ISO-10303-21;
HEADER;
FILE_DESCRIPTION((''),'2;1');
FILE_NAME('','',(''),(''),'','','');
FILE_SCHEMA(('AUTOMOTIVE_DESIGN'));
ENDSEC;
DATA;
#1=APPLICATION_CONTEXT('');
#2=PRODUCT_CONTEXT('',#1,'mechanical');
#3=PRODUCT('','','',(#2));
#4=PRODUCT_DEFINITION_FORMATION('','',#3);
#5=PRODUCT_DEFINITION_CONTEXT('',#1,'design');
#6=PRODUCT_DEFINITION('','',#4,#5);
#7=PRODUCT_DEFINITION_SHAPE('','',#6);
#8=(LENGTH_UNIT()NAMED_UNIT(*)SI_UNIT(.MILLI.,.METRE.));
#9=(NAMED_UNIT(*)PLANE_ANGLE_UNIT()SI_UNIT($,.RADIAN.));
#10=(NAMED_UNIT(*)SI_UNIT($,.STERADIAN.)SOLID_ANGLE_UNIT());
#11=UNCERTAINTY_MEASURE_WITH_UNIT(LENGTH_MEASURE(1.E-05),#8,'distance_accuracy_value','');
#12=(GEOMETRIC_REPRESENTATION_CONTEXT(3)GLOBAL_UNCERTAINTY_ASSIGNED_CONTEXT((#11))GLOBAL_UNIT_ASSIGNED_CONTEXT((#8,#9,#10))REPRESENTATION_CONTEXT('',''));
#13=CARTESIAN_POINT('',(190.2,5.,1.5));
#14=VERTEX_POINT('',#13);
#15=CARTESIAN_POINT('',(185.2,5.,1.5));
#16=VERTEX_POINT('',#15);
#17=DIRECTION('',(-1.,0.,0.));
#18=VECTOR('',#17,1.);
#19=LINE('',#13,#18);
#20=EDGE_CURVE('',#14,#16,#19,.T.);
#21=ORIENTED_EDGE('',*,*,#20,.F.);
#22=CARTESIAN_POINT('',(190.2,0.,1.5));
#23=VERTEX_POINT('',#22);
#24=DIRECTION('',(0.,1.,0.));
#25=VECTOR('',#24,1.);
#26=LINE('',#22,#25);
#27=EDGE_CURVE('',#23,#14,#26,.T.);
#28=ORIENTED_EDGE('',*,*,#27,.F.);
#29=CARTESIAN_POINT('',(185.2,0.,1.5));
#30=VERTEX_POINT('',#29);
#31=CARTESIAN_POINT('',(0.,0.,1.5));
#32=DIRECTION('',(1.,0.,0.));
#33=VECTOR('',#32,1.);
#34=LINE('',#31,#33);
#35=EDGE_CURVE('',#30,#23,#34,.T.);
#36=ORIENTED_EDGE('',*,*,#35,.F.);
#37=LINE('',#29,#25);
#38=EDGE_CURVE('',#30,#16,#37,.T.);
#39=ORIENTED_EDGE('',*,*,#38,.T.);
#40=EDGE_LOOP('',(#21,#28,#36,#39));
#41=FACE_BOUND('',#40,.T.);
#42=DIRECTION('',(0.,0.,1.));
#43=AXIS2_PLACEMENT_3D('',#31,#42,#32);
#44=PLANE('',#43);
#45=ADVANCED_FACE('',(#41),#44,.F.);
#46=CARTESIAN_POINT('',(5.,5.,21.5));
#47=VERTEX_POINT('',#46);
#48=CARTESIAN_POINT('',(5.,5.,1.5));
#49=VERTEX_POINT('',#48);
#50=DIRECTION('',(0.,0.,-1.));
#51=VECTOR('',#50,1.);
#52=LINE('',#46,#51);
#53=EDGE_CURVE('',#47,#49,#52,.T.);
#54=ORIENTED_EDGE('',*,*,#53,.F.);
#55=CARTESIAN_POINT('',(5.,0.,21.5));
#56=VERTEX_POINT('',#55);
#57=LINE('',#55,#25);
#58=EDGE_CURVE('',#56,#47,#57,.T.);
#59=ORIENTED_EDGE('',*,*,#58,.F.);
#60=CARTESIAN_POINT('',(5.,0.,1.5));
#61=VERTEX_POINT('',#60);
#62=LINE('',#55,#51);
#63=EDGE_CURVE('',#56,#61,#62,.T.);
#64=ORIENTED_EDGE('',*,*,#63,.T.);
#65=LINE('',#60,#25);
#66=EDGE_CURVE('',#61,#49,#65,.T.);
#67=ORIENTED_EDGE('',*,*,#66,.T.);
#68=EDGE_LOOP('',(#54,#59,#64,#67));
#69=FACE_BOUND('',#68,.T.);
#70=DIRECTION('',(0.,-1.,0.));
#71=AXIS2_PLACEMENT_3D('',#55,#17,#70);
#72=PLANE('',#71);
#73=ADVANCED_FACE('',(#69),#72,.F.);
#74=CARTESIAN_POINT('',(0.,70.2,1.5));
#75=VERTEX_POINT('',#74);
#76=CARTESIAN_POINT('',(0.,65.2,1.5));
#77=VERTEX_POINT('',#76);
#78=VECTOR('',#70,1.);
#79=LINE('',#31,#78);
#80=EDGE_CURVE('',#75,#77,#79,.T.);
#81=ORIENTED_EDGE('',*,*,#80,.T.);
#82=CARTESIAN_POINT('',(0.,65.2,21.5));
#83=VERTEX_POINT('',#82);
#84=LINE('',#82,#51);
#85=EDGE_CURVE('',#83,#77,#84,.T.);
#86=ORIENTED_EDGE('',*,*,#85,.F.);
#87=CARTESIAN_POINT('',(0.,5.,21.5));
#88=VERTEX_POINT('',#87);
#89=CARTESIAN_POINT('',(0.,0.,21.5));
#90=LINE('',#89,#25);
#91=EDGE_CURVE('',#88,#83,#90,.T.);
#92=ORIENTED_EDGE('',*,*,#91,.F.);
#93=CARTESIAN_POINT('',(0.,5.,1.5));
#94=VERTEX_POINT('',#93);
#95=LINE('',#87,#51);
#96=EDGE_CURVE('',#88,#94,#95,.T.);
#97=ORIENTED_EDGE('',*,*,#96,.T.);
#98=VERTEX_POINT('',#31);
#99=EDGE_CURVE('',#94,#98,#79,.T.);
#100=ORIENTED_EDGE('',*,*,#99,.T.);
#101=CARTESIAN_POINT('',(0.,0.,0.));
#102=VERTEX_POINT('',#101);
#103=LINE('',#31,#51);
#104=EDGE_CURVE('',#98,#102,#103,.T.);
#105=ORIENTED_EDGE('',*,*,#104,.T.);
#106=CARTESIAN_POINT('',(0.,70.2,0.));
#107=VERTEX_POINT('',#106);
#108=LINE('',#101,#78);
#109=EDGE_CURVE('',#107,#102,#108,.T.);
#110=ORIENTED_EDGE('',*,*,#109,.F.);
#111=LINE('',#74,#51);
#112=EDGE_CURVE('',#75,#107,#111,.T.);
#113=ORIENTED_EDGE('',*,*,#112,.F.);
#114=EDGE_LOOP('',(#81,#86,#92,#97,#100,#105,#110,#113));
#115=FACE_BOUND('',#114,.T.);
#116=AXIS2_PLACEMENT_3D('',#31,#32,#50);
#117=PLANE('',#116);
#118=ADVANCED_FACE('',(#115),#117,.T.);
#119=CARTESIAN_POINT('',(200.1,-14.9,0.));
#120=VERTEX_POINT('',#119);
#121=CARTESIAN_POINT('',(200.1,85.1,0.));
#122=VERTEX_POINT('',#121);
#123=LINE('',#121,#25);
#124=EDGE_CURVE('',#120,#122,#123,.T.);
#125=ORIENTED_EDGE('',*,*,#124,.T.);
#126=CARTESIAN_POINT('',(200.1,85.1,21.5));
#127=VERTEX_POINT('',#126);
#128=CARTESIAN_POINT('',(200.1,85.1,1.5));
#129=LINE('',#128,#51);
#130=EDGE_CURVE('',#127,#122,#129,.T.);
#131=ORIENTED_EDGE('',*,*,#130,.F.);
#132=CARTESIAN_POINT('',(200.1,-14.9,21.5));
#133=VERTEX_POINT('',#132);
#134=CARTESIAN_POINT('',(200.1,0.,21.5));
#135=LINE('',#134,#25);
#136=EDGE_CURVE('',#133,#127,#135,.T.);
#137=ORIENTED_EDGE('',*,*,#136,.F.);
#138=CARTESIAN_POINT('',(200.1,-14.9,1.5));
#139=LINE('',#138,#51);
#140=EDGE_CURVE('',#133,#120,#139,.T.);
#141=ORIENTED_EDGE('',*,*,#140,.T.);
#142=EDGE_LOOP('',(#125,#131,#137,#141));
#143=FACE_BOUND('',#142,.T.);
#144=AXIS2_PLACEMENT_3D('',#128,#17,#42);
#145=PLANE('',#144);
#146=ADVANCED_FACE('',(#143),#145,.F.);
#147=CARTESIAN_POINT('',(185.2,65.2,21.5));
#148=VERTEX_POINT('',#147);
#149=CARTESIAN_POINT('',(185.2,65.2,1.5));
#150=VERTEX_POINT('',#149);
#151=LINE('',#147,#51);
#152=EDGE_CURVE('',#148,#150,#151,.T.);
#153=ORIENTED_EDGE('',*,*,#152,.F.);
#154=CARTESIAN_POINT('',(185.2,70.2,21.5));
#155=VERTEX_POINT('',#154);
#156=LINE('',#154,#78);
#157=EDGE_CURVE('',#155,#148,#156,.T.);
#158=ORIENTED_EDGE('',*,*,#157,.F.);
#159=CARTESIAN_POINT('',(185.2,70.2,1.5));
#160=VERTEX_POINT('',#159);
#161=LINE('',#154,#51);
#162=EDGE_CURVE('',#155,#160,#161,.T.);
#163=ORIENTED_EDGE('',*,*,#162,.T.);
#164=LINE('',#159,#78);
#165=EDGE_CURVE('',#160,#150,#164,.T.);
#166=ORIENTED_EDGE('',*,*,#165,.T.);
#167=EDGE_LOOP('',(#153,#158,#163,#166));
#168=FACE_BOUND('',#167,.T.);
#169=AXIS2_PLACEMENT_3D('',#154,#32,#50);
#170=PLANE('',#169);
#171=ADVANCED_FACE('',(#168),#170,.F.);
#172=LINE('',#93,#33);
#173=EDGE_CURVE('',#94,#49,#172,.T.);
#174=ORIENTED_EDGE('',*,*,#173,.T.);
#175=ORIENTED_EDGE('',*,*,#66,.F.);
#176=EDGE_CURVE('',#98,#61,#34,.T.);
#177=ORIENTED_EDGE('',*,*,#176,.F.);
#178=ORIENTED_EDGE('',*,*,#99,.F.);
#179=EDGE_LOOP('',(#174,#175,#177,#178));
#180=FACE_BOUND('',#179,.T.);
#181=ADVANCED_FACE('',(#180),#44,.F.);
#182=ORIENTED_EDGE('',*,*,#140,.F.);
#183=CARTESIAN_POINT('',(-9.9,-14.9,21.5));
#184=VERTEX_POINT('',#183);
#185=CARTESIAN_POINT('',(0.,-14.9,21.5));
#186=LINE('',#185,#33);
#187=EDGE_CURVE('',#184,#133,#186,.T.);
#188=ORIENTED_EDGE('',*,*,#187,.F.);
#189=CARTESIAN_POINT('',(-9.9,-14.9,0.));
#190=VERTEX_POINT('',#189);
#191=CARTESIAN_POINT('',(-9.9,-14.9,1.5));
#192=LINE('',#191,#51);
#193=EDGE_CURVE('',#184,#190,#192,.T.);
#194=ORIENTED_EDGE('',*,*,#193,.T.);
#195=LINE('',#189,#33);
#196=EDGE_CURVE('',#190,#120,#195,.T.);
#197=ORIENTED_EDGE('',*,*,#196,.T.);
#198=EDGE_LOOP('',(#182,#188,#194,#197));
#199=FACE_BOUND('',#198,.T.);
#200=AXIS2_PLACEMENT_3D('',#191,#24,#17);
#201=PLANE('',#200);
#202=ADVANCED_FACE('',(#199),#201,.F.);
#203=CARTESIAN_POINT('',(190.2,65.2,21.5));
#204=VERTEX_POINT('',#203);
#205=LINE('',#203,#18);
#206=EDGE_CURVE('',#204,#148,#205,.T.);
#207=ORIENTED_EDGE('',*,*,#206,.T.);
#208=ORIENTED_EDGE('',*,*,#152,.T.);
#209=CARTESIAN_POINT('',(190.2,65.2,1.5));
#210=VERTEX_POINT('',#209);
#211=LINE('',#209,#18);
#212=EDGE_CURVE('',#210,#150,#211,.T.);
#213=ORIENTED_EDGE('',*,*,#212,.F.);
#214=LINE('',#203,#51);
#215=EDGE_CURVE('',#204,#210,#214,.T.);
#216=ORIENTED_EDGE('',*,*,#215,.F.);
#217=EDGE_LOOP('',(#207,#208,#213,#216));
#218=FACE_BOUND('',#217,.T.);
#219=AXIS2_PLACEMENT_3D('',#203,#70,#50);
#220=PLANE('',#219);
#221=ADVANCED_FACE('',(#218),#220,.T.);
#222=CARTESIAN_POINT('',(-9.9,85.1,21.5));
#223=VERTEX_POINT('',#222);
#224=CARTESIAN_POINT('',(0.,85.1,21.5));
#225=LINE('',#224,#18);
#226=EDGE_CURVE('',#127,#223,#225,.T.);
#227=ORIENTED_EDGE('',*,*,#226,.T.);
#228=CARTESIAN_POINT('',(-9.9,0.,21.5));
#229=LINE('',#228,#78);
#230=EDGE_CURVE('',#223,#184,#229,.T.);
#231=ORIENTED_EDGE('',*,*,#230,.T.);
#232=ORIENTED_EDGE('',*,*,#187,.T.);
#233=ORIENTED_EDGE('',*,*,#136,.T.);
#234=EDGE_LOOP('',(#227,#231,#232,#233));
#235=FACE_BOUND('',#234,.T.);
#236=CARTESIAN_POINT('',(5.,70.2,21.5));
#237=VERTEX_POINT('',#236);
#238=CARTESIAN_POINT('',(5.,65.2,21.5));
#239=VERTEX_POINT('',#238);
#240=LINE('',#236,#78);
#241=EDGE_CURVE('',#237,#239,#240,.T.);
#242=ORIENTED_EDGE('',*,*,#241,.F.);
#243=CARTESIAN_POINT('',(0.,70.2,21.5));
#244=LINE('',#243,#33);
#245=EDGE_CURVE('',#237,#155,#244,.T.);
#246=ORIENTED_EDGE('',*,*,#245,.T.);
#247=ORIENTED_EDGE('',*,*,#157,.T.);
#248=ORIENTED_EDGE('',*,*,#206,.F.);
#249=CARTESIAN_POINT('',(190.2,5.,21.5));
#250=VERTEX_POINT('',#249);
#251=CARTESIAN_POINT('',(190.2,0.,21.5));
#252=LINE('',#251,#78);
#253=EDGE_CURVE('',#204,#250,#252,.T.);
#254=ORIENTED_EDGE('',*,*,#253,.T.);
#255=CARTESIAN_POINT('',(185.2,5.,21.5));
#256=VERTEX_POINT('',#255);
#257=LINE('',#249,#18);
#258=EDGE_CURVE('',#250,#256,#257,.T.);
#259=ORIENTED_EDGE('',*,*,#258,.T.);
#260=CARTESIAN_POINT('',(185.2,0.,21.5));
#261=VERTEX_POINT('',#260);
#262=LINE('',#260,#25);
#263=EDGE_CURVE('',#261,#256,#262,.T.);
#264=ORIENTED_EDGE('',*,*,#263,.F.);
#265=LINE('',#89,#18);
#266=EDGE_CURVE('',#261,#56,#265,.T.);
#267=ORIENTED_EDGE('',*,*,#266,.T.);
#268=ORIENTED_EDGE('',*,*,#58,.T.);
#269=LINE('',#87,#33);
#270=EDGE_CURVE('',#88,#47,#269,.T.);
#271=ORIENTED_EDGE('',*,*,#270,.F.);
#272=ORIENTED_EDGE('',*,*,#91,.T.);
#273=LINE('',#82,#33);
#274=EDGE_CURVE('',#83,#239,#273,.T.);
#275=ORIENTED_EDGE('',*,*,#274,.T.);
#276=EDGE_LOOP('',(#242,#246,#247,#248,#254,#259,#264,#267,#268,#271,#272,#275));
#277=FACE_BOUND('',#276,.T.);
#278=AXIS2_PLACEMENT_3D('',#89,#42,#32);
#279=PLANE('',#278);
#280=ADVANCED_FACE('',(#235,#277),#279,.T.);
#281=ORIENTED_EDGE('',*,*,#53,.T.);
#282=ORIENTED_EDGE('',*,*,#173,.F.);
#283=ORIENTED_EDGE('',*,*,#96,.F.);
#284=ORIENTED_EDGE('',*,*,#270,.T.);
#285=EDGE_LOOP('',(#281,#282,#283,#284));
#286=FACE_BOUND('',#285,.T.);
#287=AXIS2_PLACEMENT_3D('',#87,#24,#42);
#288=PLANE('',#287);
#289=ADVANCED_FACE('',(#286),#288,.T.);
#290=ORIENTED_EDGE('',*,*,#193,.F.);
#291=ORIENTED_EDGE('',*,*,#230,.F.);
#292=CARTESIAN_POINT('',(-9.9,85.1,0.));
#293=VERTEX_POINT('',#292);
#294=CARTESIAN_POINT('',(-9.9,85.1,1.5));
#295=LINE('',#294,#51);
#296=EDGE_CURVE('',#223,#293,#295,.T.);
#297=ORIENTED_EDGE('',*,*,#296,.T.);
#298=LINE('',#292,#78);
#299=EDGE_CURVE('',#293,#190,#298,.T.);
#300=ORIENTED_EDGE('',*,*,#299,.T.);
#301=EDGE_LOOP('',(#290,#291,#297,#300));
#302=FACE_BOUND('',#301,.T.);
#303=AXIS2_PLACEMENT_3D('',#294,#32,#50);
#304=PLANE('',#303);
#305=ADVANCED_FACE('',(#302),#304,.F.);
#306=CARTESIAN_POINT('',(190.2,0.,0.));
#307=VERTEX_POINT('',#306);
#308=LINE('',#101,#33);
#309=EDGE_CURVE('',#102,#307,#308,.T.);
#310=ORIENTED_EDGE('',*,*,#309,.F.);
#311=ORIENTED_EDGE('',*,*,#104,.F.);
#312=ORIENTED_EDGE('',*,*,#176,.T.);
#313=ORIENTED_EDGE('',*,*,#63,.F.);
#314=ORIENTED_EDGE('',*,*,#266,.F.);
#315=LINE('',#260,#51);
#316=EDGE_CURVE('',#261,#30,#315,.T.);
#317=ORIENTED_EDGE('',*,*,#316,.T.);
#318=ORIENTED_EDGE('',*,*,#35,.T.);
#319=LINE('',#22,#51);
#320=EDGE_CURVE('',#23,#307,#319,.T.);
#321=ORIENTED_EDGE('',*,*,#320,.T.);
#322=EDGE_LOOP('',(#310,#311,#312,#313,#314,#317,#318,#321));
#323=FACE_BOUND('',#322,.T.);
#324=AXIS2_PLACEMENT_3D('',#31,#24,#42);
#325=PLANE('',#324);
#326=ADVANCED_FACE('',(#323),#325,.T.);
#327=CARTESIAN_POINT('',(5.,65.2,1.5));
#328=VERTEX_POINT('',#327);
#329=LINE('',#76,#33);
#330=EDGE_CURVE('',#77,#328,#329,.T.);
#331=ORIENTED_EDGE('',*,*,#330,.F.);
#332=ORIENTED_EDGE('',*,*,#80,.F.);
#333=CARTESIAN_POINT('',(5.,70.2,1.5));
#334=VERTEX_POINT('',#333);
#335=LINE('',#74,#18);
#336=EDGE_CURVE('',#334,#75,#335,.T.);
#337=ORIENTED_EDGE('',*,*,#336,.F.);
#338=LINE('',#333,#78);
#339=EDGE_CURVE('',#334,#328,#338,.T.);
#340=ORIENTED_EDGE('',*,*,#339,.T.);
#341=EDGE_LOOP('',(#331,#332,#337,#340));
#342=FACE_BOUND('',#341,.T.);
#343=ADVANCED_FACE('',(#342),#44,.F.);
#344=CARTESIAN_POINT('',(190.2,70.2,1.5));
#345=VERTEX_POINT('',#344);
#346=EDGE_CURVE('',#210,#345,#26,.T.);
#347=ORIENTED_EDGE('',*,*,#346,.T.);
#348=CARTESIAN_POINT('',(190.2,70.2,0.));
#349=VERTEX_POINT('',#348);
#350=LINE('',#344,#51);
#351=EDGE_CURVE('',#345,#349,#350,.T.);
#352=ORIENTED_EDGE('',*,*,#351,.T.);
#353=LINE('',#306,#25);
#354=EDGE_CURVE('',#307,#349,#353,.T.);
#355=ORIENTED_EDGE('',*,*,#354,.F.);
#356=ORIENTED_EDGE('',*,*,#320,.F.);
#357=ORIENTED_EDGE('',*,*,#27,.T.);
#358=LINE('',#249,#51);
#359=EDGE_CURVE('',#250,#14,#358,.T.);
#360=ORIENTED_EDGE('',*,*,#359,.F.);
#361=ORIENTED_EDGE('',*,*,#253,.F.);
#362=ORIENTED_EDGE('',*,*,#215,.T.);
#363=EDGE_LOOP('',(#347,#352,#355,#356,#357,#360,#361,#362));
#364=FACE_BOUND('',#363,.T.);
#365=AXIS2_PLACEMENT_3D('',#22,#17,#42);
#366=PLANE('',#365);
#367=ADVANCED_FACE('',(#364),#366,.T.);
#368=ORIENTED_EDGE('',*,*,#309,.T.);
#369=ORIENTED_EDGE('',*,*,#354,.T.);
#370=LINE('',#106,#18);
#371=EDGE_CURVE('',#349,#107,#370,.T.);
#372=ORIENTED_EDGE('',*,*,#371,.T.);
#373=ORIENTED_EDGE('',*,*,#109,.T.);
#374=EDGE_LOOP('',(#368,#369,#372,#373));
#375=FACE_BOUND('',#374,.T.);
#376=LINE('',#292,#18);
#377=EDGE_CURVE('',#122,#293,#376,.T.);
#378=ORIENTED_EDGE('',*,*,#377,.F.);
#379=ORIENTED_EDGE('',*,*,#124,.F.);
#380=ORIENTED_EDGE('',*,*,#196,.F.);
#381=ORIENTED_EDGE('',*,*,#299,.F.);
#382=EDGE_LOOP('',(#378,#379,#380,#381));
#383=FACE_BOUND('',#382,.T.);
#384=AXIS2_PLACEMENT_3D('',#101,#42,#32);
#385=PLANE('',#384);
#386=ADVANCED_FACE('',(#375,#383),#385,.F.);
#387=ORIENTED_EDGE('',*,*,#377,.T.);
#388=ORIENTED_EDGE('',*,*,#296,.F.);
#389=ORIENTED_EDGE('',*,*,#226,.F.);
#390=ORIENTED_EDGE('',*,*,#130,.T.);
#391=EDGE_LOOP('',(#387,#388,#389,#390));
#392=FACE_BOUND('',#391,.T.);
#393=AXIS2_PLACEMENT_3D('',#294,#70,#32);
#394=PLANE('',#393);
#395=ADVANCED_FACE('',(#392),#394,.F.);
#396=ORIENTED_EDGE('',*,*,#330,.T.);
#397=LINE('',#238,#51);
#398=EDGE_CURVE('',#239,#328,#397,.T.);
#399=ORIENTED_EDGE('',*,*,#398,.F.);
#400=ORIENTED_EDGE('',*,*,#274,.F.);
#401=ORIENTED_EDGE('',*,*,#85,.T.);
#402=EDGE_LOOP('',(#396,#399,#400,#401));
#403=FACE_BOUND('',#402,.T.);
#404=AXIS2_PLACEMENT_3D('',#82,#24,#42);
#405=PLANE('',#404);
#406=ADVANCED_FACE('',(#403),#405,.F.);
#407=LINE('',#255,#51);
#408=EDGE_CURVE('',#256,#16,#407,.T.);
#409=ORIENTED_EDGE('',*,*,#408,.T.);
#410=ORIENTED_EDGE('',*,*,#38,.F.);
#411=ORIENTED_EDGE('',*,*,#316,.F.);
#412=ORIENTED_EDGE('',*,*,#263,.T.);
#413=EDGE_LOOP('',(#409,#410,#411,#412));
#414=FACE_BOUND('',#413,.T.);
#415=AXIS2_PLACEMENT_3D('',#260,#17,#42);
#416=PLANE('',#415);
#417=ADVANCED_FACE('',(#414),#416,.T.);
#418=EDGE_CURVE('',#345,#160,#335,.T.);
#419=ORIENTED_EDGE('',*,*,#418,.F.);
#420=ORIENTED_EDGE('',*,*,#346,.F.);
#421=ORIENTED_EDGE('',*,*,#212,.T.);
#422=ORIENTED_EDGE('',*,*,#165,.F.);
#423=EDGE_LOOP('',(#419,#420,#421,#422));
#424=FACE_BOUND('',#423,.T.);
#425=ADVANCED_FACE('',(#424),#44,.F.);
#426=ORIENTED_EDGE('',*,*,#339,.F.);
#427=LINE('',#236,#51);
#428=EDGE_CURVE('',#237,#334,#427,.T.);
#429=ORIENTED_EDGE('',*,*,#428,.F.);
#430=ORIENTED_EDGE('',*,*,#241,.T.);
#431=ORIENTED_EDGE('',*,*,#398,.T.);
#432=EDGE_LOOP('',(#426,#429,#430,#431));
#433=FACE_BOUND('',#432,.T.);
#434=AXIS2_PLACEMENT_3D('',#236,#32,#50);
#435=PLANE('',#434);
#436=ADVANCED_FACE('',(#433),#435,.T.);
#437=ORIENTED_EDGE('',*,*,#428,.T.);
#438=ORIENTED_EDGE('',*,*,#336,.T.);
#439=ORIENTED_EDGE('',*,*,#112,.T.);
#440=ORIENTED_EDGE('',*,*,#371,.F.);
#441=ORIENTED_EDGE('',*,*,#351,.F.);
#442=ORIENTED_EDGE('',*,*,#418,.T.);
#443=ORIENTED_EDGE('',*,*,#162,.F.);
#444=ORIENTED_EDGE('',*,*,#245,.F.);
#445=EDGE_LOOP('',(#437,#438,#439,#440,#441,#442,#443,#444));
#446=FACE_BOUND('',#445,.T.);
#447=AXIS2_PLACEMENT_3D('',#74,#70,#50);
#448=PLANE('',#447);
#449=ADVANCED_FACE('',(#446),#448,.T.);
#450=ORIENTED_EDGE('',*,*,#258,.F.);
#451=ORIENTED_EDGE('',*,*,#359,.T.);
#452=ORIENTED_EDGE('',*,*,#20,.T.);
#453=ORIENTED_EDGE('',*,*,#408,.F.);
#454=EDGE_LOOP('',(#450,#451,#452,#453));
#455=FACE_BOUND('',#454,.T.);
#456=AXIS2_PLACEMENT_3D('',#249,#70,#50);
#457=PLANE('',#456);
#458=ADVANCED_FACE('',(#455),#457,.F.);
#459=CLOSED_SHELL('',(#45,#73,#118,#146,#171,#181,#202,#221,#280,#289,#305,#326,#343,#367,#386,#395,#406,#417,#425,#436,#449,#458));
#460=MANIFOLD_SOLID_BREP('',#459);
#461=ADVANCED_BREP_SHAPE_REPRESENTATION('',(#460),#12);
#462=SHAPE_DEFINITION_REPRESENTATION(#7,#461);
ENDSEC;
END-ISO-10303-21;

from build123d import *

# Parameters (mm, degrees)
SKETCH1_W           = 210
SKETCH1_H           = 100
SKETCH1_W_2         = 190.2
SKETCH1_H_2         = 70.2
BOSS_EXTRUDE1_DEPTH = 1.5
SKETCH2_W           = 210
SKETCH2_H           = 100
SKETCH2_W_2         = 5
SKETCH2_H_2         = 5
BOSS_EXTRUDE2_DEPTH = 20


with BuildPart() as part:
    # Sketch1 → Boss-Extrude1 (new body)
    with BuildSketch(Plane.XY):
        with Locations((95.1, 35.1)):
            Rectangle(SKETCH1_W, SKETCH1_H)
        with Locations((95.1, 35.1)):
            Rectangle(SKETCH1_W_2, SKETCH1_H_2, mode=Mode.SUBTRACT)
    extrude(amount=BOSS_EXTRUDE1_DEPTH)

    # Sketch2 → Boss-Extrude2 (add)
    # profile 1 of 5: a face of its own
    with BuildSketch(Plane.XY.offset(1.5)):
        with Locations((95.1, 35.1)):
            Rectangle(SKETCH2_W, SKETCH2_H)
        Polygon((0, 65.2), (0, 70.2), (5, 70.2), (185.2, 70.2), (190.2, 70.2), (190.2, 65.2), (190.2, 5), (190.2, 0), (185.2, 0), (5, 0), (0, 0), (0, 5), align=None, mode=Mode.SUBTRACT)
    # profile 2 of 5: a face of its own
    with BuildSketch(Plane.XY.offset(1.5)):
        with Locations((2.5, 67.7)):
            Rectangle(SKETCH2_W_2, SKETCH2_H_2)
    # profile 3 of 5: a face of its own
    with BuildSketch(Plane.XY.offset(1.5)):
        with Locations((2.5, 2.5)):
            Rectangle(SKETCH2_W_2, SKETCH2_H_2)
    # profile 4 of 5: a face of its own
    with BuildSketch(Plane.XY.offset(1.5)):
        with Locations((187.7, 67.7)):
            Rectangle(SKETCH2_W_2, SKETCH2_H_2)
    # profile 5 of 5: a face of its own
    with BuildSketch(Plane.XY.offset(1.5)):
        with Locations((187.7, 2.5)):
            Rectangle(SKETCH2_W_2, SKETCH2_H_2)
    extrude(amount=BOSS_EXTRUDE2_DEPTH)


solid = part.part
